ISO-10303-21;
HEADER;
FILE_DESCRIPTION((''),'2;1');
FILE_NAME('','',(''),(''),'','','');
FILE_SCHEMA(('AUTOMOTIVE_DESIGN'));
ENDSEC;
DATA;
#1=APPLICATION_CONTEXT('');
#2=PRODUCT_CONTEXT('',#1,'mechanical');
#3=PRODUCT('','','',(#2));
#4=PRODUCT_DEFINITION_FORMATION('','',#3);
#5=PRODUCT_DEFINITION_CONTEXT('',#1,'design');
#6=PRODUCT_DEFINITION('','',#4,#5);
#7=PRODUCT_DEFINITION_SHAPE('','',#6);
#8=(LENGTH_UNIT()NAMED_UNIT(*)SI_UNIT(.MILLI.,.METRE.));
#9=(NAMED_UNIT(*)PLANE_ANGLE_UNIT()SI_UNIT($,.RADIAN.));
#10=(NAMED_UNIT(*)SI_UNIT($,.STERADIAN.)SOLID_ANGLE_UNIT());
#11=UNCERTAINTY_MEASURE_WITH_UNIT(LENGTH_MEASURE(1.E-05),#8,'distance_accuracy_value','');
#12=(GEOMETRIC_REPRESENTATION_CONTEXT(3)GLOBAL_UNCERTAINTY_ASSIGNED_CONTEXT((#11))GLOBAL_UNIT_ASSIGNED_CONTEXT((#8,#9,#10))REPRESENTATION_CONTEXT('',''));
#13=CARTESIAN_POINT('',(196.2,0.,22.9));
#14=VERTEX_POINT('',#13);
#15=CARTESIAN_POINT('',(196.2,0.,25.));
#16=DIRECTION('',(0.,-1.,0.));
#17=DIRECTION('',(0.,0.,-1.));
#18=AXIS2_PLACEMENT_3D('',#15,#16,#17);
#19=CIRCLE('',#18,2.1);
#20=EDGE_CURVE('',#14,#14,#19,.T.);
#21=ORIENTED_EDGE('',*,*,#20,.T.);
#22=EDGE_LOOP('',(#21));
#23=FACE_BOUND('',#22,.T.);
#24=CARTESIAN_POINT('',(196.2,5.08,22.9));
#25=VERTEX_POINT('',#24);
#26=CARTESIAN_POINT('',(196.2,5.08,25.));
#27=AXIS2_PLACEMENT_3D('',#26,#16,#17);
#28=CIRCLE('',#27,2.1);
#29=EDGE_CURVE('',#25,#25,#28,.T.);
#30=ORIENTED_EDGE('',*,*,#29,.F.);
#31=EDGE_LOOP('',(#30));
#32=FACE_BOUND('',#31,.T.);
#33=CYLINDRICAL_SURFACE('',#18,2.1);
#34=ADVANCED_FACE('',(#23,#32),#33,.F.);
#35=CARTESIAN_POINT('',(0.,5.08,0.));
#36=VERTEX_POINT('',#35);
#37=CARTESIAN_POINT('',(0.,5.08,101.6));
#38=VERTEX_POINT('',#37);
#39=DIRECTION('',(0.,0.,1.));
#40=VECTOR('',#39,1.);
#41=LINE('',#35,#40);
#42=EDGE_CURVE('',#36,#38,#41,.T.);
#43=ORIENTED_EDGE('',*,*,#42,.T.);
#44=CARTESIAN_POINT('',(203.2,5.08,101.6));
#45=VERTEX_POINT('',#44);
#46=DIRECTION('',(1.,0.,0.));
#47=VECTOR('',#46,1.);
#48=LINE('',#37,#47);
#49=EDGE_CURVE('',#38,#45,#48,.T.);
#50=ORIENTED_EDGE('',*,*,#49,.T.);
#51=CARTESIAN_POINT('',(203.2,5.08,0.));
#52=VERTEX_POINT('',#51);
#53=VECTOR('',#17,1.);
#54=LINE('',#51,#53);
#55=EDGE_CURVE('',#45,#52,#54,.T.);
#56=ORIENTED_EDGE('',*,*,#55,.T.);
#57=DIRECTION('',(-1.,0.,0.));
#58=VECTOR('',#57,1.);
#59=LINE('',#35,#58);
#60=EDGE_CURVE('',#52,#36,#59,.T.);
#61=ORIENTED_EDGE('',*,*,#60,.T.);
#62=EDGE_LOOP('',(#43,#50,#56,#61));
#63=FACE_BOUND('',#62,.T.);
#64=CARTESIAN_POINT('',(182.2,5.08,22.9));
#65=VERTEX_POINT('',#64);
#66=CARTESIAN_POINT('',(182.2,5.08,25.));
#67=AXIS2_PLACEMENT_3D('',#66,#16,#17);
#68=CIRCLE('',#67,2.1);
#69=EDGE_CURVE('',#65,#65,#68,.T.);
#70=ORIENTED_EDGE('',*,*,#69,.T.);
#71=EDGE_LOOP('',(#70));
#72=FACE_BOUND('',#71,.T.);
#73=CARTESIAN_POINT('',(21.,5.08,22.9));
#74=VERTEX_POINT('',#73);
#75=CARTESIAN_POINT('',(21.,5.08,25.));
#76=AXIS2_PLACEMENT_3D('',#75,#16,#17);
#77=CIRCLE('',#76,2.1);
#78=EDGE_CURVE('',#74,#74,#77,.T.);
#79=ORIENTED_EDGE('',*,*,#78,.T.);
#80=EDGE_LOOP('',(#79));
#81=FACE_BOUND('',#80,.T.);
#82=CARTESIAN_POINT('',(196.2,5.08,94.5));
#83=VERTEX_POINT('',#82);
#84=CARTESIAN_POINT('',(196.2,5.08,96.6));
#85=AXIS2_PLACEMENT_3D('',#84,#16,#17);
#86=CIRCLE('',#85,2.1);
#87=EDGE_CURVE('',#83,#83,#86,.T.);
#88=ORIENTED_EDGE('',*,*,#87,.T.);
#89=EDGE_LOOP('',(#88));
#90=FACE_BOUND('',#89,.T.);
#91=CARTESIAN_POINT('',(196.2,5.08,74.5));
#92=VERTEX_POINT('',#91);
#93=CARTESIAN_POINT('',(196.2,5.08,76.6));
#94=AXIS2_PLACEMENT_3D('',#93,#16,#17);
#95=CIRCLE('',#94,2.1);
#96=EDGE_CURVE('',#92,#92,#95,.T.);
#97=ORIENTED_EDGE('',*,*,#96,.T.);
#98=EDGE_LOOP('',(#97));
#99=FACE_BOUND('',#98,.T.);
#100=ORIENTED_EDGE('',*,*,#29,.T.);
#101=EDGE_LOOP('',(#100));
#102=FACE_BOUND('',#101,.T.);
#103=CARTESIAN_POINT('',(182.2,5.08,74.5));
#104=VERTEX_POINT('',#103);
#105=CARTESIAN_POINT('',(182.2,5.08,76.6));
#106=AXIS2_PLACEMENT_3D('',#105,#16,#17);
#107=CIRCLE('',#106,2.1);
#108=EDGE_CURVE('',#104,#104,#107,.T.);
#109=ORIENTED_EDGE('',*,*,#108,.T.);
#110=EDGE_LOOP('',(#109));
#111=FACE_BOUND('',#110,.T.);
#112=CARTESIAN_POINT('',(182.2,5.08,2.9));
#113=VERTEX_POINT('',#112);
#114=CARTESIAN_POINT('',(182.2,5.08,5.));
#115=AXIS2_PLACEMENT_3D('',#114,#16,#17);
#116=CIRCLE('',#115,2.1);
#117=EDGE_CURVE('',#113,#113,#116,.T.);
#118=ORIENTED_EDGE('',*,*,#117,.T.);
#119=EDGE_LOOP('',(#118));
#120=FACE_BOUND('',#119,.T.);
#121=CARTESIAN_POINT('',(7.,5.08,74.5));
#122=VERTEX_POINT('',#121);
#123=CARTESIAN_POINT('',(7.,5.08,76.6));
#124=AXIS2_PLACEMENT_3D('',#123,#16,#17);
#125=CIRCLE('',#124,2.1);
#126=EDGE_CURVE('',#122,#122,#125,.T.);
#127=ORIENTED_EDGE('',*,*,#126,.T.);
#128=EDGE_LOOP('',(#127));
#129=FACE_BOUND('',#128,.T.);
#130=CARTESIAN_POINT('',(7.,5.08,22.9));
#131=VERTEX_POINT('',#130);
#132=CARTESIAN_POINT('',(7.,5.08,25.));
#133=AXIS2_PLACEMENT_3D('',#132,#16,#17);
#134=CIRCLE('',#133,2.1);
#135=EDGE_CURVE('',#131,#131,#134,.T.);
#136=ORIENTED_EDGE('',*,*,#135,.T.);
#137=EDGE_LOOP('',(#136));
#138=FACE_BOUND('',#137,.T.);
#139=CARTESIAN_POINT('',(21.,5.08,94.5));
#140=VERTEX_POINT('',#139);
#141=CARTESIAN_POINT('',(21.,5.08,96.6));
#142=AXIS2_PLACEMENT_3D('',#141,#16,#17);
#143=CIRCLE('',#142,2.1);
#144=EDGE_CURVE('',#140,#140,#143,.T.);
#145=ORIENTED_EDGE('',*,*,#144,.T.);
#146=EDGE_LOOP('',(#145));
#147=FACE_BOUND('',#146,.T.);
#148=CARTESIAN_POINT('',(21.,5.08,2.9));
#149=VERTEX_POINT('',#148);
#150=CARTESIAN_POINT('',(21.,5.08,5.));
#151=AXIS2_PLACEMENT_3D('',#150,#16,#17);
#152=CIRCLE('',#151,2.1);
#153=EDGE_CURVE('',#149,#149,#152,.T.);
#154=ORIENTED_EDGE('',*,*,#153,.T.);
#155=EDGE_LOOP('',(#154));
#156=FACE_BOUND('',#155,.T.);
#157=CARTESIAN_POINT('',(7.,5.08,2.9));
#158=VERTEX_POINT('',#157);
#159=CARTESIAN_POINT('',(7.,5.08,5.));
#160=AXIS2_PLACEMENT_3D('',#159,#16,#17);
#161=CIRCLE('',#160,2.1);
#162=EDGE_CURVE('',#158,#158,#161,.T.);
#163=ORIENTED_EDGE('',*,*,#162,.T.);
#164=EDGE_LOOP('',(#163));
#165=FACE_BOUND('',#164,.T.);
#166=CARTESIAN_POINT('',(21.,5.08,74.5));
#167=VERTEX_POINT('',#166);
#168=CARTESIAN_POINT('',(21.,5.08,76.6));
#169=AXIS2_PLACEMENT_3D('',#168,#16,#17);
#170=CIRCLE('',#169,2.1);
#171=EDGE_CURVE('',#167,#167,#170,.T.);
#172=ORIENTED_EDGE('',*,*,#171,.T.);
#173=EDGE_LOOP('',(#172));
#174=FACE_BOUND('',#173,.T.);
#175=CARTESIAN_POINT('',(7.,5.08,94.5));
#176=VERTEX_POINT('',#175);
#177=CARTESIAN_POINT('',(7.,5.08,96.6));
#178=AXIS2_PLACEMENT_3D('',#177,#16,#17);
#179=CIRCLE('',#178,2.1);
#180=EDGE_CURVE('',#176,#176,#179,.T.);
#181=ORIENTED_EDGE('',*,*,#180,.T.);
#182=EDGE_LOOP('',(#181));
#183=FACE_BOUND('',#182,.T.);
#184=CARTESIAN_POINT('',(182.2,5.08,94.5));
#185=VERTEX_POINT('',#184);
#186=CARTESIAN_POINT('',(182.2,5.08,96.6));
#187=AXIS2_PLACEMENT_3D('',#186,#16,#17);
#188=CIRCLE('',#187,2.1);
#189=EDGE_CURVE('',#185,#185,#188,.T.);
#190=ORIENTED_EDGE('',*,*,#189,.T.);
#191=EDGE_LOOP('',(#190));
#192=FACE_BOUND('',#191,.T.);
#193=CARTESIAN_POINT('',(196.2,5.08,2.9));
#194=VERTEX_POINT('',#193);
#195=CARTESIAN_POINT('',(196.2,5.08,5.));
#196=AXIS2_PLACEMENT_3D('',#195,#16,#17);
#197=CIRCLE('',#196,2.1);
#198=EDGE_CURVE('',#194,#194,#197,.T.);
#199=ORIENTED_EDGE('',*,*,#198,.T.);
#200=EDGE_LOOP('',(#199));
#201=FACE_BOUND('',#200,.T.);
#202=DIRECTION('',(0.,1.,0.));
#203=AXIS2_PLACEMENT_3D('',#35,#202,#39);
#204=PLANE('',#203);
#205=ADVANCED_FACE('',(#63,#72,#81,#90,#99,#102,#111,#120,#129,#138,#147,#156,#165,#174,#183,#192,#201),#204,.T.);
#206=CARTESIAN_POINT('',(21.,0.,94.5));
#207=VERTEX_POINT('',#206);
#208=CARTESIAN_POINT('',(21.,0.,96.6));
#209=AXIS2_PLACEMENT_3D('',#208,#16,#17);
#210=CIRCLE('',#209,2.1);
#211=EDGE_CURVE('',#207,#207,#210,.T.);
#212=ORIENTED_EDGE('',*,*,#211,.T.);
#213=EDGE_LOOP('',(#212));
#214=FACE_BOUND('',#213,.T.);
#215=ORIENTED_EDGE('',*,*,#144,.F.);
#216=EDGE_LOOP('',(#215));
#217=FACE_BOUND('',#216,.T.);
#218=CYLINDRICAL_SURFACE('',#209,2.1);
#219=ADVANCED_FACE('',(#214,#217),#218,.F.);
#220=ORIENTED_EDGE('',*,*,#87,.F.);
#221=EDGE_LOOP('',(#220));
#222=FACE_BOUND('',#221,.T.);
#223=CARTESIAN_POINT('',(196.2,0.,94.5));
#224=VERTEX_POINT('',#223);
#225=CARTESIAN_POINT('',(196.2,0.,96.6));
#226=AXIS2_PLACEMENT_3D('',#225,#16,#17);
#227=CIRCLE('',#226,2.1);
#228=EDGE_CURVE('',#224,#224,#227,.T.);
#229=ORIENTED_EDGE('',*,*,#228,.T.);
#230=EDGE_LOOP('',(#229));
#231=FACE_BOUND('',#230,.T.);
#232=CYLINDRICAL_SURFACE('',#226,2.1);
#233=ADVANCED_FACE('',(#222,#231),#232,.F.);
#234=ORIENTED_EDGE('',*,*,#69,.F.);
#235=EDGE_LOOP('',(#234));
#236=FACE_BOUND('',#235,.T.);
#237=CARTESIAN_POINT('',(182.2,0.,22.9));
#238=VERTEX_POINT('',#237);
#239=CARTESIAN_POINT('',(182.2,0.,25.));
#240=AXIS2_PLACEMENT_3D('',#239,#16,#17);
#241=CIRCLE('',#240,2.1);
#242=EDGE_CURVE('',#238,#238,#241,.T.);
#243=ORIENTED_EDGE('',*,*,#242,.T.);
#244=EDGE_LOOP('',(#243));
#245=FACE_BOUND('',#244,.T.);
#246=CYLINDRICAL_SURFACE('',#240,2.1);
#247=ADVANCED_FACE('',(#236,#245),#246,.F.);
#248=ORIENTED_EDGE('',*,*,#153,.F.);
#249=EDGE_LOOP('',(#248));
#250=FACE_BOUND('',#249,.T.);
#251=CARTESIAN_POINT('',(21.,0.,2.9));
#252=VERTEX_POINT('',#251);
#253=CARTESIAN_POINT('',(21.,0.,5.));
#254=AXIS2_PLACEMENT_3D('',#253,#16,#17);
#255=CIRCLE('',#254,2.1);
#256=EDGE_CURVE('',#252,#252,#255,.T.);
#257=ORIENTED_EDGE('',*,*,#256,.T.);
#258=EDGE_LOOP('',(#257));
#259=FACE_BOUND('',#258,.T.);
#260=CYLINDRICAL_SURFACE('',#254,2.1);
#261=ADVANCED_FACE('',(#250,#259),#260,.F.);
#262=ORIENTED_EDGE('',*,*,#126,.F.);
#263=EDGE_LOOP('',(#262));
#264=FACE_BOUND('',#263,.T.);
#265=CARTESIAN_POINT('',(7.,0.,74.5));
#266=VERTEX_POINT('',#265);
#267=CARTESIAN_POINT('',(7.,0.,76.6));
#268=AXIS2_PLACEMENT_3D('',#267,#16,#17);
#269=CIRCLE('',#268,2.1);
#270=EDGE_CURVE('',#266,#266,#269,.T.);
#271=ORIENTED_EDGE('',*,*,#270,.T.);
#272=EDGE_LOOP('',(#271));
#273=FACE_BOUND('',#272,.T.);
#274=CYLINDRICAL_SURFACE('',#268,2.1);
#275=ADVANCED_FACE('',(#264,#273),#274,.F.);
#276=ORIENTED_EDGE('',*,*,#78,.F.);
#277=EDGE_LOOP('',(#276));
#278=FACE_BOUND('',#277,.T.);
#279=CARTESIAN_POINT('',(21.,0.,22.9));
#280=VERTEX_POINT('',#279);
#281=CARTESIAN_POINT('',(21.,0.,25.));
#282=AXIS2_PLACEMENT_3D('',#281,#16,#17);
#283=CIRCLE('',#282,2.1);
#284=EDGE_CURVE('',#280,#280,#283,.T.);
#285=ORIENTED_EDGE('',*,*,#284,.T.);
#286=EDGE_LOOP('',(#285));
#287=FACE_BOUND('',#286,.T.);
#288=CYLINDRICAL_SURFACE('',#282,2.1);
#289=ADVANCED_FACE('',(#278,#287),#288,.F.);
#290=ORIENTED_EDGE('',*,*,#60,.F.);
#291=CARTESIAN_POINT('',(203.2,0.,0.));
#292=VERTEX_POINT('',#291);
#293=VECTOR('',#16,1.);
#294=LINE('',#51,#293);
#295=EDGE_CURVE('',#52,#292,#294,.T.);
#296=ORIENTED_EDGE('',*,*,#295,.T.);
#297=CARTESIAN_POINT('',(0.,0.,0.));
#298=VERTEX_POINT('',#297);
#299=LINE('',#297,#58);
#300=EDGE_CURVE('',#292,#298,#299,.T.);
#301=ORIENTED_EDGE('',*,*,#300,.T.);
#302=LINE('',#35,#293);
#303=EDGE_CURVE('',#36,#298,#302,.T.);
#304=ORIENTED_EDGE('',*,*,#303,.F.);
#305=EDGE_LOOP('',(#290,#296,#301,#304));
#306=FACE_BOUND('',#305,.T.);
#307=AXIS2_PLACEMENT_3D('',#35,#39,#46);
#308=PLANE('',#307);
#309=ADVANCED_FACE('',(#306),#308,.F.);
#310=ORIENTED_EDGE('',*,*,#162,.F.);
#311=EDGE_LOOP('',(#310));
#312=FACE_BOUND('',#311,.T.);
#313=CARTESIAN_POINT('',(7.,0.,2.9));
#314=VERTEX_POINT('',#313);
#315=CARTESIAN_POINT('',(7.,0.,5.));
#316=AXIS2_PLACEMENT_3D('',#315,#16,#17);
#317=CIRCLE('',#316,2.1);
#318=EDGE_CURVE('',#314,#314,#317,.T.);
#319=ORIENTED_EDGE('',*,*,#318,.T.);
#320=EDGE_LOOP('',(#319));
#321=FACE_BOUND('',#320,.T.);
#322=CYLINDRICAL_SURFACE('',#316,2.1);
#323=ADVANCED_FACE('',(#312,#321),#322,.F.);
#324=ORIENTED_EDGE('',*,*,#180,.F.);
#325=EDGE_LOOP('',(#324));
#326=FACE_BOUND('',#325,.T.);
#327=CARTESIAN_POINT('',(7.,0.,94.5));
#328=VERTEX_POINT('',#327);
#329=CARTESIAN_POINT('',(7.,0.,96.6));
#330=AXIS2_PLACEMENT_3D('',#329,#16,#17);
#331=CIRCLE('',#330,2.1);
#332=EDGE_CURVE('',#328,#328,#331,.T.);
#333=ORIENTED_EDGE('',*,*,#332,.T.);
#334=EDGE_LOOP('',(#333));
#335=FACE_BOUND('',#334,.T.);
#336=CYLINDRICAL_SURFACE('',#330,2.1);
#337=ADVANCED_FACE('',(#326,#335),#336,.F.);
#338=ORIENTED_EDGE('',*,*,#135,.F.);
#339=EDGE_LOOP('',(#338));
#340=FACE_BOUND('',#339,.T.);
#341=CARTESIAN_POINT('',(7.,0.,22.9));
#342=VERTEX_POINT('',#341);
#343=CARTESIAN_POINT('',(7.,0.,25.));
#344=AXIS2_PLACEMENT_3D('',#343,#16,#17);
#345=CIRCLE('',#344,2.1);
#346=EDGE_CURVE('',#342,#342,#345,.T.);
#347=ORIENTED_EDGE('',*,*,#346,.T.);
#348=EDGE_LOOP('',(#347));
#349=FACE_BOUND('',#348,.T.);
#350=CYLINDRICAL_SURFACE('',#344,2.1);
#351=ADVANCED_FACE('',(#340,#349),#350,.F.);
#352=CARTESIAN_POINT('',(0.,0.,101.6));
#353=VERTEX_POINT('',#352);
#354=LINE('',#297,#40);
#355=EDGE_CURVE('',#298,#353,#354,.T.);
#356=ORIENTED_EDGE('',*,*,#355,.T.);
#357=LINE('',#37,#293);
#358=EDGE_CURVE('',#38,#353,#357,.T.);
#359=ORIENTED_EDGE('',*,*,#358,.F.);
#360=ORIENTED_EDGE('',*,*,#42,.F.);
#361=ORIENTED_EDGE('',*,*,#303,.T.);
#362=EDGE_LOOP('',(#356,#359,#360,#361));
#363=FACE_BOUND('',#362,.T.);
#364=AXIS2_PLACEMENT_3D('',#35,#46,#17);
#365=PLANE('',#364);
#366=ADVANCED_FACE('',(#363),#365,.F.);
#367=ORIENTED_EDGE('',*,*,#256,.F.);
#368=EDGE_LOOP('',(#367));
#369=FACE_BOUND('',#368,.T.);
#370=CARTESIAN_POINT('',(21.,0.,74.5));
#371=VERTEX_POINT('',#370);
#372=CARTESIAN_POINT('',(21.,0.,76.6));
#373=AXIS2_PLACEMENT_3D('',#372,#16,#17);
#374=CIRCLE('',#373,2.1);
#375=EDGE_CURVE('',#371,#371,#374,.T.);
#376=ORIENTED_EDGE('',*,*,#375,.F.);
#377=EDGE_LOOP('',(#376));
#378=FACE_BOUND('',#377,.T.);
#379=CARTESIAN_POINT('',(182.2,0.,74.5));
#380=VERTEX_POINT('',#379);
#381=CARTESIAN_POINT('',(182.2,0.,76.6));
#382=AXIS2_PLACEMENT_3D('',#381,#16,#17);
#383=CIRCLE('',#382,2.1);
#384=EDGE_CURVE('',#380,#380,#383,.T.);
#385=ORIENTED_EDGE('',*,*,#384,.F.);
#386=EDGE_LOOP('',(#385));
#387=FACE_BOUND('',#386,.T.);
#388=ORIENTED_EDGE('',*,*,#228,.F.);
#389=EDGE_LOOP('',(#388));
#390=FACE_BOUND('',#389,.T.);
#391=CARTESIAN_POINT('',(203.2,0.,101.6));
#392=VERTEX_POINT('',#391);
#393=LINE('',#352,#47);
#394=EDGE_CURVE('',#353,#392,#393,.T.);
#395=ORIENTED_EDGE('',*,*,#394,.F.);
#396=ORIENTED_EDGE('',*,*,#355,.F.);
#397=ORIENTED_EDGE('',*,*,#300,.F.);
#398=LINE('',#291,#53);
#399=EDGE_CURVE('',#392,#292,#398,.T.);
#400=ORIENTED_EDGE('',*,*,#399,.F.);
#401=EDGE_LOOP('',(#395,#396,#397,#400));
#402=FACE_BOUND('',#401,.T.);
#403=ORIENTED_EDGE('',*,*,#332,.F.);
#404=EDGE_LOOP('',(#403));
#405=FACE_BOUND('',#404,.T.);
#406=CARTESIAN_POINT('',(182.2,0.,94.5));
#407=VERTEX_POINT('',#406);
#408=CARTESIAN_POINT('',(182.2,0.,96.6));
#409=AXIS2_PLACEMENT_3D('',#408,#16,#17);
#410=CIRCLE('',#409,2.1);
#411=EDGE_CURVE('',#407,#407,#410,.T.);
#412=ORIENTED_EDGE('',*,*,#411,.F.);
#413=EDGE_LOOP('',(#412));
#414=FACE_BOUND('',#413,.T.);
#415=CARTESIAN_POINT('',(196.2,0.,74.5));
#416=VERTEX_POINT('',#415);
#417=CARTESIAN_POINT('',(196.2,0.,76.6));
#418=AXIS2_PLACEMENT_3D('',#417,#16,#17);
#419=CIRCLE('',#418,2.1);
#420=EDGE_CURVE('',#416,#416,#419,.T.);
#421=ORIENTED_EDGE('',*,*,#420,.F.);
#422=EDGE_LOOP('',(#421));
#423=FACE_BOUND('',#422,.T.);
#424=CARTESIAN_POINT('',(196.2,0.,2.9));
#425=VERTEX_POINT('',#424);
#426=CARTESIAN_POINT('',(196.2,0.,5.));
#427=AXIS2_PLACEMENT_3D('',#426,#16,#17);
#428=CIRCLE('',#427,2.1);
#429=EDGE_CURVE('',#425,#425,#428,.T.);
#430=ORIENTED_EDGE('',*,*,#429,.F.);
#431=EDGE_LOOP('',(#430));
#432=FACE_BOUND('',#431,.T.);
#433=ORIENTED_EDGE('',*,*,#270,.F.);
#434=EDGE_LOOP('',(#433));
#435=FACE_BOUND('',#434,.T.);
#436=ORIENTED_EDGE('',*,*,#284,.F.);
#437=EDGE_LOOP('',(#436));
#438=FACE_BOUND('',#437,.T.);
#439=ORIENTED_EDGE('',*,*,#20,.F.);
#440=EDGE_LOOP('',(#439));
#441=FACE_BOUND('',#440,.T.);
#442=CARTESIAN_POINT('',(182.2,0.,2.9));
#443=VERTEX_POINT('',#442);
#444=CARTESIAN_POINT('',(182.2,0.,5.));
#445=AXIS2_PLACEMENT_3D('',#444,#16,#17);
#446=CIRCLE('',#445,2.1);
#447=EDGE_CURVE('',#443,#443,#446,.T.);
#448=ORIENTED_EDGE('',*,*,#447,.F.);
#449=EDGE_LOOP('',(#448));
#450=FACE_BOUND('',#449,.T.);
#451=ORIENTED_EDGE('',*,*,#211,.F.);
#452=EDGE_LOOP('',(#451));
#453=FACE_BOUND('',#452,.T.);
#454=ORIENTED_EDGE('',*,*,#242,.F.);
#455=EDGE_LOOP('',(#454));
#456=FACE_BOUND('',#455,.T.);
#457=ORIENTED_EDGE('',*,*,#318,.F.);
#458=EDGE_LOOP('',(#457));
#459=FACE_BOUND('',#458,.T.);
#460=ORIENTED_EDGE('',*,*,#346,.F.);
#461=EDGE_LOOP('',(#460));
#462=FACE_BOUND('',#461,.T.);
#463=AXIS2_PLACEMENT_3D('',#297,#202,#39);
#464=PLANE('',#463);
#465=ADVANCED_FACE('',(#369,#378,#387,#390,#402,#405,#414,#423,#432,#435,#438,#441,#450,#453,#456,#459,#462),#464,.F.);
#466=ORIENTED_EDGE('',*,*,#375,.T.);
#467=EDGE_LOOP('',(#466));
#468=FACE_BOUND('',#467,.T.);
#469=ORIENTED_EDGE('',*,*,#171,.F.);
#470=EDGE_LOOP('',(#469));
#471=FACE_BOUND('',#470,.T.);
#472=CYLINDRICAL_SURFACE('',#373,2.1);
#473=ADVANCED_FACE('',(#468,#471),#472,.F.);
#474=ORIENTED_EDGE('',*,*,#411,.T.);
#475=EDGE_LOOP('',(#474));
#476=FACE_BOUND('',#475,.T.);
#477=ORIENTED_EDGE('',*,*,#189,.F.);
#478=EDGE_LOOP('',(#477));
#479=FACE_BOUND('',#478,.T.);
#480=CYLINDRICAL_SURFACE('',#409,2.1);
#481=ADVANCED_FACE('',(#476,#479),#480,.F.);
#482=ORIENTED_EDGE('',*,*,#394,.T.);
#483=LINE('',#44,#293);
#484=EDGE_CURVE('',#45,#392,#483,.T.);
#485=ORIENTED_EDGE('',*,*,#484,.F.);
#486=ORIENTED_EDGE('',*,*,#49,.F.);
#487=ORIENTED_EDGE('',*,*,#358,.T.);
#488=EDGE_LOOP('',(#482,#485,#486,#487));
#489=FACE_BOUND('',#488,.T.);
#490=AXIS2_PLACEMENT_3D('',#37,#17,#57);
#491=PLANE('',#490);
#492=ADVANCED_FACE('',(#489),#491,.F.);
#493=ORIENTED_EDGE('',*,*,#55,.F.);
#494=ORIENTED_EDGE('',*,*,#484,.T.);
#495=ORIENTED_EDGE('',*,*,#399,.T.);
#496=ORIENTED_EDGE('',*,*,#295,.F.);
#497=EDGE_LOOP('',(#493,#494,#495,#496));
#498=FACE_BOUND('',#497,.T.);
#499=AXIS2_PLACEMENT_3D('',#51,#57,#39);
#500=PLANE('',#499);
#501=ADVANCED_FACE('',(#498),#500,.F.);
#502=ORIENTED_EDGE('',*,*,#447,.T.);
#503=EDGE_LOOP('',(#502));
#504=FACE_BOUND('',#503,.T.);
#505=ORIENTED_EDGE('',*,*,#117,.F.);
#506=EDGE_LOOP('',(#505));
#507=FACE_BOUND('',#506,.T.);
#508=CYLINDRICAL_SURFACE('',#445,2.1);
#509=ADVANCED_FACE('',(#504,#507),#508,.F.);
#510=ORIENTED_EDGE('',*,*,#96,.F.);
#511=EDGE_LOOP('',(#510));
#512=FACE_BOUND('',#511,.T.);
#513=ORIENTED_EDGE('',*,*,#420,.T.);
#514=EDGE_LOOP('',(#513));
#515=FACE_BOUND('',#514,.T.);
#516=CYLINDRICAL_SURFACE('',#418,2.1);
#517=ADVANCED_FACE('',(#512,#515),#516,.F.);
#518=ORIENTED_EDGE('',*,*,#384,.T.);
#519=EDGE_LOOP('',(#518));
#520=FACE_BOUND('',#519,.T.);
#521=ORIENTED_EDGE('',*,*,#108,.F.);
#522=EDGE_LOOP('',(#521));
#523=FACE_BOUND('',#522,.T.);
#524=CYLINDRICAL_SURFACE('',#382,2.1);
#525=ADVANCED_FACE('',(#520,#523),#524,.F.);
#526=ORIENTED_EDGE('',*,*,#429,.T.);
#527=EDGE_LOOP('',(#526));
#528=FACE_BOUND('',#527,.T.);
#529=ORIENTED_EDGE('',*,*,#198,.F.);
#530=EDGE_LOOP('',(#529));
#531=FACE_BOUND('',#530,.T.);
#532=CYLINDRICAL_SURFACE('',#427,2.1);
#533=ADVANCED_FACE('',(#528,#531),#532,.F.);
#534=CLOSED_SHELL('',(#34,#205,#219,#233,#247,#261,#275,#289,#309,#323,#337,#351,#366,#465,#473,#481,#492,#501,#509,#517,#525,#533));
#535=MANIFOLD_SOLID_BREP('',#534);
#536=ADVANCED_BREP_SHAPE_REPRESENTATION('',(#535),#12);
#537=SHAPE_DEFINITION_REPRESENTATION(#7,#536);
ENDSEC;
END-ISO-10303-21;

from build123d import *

# Parameters (mm, degrees)
SKETCH1_W                   = 203.2
SKETCH1_H                   = 101.6
BOSS_EXTRUDE1_DEPTH         = 5.08
TAP_DRILL_FOR_M5X0_8_TAP1_D = 4.2


with BuildPart() as part:
    # Sketch1 → Boss-Extrude1 (new body)
    with BuildSketch(Plane(origin=(0, 0, 0), x_dir=(1, 0, 0), z_dir=(0, 1, 0))):
        with Locations((101.6, -50.8)):
            Rectangle(SKETCH1_W, SKETCH1_H)
    extrude(amount=BOSS_EXTRUDE1_DEPTH)

    # Tap Drill for M5x0.8 Tap1 (through all)
    with Locations(Plane(origin=(0, 0, 0), x_dir=(-1, 0, 0), z_dir=(0, -1, 0))):
        with Locations((-196.2, -5), (-182.2, -5), (-196.2, -25), (-182.2, -25), (-21, -5), (-7, -5), (-21, -25), (-7, -25), (-7, -76.6), (-196.2, -76.6), (-182.2, -76.6), (-182.2, -96.6), (-196.2, -96.6), (-21, -76.6), (-21, -96.6), (-7, -96.6)):
            Hole(TAP_DRILL_FOR_M5X0_8_TAP1_D / 2)


solid = part.part
